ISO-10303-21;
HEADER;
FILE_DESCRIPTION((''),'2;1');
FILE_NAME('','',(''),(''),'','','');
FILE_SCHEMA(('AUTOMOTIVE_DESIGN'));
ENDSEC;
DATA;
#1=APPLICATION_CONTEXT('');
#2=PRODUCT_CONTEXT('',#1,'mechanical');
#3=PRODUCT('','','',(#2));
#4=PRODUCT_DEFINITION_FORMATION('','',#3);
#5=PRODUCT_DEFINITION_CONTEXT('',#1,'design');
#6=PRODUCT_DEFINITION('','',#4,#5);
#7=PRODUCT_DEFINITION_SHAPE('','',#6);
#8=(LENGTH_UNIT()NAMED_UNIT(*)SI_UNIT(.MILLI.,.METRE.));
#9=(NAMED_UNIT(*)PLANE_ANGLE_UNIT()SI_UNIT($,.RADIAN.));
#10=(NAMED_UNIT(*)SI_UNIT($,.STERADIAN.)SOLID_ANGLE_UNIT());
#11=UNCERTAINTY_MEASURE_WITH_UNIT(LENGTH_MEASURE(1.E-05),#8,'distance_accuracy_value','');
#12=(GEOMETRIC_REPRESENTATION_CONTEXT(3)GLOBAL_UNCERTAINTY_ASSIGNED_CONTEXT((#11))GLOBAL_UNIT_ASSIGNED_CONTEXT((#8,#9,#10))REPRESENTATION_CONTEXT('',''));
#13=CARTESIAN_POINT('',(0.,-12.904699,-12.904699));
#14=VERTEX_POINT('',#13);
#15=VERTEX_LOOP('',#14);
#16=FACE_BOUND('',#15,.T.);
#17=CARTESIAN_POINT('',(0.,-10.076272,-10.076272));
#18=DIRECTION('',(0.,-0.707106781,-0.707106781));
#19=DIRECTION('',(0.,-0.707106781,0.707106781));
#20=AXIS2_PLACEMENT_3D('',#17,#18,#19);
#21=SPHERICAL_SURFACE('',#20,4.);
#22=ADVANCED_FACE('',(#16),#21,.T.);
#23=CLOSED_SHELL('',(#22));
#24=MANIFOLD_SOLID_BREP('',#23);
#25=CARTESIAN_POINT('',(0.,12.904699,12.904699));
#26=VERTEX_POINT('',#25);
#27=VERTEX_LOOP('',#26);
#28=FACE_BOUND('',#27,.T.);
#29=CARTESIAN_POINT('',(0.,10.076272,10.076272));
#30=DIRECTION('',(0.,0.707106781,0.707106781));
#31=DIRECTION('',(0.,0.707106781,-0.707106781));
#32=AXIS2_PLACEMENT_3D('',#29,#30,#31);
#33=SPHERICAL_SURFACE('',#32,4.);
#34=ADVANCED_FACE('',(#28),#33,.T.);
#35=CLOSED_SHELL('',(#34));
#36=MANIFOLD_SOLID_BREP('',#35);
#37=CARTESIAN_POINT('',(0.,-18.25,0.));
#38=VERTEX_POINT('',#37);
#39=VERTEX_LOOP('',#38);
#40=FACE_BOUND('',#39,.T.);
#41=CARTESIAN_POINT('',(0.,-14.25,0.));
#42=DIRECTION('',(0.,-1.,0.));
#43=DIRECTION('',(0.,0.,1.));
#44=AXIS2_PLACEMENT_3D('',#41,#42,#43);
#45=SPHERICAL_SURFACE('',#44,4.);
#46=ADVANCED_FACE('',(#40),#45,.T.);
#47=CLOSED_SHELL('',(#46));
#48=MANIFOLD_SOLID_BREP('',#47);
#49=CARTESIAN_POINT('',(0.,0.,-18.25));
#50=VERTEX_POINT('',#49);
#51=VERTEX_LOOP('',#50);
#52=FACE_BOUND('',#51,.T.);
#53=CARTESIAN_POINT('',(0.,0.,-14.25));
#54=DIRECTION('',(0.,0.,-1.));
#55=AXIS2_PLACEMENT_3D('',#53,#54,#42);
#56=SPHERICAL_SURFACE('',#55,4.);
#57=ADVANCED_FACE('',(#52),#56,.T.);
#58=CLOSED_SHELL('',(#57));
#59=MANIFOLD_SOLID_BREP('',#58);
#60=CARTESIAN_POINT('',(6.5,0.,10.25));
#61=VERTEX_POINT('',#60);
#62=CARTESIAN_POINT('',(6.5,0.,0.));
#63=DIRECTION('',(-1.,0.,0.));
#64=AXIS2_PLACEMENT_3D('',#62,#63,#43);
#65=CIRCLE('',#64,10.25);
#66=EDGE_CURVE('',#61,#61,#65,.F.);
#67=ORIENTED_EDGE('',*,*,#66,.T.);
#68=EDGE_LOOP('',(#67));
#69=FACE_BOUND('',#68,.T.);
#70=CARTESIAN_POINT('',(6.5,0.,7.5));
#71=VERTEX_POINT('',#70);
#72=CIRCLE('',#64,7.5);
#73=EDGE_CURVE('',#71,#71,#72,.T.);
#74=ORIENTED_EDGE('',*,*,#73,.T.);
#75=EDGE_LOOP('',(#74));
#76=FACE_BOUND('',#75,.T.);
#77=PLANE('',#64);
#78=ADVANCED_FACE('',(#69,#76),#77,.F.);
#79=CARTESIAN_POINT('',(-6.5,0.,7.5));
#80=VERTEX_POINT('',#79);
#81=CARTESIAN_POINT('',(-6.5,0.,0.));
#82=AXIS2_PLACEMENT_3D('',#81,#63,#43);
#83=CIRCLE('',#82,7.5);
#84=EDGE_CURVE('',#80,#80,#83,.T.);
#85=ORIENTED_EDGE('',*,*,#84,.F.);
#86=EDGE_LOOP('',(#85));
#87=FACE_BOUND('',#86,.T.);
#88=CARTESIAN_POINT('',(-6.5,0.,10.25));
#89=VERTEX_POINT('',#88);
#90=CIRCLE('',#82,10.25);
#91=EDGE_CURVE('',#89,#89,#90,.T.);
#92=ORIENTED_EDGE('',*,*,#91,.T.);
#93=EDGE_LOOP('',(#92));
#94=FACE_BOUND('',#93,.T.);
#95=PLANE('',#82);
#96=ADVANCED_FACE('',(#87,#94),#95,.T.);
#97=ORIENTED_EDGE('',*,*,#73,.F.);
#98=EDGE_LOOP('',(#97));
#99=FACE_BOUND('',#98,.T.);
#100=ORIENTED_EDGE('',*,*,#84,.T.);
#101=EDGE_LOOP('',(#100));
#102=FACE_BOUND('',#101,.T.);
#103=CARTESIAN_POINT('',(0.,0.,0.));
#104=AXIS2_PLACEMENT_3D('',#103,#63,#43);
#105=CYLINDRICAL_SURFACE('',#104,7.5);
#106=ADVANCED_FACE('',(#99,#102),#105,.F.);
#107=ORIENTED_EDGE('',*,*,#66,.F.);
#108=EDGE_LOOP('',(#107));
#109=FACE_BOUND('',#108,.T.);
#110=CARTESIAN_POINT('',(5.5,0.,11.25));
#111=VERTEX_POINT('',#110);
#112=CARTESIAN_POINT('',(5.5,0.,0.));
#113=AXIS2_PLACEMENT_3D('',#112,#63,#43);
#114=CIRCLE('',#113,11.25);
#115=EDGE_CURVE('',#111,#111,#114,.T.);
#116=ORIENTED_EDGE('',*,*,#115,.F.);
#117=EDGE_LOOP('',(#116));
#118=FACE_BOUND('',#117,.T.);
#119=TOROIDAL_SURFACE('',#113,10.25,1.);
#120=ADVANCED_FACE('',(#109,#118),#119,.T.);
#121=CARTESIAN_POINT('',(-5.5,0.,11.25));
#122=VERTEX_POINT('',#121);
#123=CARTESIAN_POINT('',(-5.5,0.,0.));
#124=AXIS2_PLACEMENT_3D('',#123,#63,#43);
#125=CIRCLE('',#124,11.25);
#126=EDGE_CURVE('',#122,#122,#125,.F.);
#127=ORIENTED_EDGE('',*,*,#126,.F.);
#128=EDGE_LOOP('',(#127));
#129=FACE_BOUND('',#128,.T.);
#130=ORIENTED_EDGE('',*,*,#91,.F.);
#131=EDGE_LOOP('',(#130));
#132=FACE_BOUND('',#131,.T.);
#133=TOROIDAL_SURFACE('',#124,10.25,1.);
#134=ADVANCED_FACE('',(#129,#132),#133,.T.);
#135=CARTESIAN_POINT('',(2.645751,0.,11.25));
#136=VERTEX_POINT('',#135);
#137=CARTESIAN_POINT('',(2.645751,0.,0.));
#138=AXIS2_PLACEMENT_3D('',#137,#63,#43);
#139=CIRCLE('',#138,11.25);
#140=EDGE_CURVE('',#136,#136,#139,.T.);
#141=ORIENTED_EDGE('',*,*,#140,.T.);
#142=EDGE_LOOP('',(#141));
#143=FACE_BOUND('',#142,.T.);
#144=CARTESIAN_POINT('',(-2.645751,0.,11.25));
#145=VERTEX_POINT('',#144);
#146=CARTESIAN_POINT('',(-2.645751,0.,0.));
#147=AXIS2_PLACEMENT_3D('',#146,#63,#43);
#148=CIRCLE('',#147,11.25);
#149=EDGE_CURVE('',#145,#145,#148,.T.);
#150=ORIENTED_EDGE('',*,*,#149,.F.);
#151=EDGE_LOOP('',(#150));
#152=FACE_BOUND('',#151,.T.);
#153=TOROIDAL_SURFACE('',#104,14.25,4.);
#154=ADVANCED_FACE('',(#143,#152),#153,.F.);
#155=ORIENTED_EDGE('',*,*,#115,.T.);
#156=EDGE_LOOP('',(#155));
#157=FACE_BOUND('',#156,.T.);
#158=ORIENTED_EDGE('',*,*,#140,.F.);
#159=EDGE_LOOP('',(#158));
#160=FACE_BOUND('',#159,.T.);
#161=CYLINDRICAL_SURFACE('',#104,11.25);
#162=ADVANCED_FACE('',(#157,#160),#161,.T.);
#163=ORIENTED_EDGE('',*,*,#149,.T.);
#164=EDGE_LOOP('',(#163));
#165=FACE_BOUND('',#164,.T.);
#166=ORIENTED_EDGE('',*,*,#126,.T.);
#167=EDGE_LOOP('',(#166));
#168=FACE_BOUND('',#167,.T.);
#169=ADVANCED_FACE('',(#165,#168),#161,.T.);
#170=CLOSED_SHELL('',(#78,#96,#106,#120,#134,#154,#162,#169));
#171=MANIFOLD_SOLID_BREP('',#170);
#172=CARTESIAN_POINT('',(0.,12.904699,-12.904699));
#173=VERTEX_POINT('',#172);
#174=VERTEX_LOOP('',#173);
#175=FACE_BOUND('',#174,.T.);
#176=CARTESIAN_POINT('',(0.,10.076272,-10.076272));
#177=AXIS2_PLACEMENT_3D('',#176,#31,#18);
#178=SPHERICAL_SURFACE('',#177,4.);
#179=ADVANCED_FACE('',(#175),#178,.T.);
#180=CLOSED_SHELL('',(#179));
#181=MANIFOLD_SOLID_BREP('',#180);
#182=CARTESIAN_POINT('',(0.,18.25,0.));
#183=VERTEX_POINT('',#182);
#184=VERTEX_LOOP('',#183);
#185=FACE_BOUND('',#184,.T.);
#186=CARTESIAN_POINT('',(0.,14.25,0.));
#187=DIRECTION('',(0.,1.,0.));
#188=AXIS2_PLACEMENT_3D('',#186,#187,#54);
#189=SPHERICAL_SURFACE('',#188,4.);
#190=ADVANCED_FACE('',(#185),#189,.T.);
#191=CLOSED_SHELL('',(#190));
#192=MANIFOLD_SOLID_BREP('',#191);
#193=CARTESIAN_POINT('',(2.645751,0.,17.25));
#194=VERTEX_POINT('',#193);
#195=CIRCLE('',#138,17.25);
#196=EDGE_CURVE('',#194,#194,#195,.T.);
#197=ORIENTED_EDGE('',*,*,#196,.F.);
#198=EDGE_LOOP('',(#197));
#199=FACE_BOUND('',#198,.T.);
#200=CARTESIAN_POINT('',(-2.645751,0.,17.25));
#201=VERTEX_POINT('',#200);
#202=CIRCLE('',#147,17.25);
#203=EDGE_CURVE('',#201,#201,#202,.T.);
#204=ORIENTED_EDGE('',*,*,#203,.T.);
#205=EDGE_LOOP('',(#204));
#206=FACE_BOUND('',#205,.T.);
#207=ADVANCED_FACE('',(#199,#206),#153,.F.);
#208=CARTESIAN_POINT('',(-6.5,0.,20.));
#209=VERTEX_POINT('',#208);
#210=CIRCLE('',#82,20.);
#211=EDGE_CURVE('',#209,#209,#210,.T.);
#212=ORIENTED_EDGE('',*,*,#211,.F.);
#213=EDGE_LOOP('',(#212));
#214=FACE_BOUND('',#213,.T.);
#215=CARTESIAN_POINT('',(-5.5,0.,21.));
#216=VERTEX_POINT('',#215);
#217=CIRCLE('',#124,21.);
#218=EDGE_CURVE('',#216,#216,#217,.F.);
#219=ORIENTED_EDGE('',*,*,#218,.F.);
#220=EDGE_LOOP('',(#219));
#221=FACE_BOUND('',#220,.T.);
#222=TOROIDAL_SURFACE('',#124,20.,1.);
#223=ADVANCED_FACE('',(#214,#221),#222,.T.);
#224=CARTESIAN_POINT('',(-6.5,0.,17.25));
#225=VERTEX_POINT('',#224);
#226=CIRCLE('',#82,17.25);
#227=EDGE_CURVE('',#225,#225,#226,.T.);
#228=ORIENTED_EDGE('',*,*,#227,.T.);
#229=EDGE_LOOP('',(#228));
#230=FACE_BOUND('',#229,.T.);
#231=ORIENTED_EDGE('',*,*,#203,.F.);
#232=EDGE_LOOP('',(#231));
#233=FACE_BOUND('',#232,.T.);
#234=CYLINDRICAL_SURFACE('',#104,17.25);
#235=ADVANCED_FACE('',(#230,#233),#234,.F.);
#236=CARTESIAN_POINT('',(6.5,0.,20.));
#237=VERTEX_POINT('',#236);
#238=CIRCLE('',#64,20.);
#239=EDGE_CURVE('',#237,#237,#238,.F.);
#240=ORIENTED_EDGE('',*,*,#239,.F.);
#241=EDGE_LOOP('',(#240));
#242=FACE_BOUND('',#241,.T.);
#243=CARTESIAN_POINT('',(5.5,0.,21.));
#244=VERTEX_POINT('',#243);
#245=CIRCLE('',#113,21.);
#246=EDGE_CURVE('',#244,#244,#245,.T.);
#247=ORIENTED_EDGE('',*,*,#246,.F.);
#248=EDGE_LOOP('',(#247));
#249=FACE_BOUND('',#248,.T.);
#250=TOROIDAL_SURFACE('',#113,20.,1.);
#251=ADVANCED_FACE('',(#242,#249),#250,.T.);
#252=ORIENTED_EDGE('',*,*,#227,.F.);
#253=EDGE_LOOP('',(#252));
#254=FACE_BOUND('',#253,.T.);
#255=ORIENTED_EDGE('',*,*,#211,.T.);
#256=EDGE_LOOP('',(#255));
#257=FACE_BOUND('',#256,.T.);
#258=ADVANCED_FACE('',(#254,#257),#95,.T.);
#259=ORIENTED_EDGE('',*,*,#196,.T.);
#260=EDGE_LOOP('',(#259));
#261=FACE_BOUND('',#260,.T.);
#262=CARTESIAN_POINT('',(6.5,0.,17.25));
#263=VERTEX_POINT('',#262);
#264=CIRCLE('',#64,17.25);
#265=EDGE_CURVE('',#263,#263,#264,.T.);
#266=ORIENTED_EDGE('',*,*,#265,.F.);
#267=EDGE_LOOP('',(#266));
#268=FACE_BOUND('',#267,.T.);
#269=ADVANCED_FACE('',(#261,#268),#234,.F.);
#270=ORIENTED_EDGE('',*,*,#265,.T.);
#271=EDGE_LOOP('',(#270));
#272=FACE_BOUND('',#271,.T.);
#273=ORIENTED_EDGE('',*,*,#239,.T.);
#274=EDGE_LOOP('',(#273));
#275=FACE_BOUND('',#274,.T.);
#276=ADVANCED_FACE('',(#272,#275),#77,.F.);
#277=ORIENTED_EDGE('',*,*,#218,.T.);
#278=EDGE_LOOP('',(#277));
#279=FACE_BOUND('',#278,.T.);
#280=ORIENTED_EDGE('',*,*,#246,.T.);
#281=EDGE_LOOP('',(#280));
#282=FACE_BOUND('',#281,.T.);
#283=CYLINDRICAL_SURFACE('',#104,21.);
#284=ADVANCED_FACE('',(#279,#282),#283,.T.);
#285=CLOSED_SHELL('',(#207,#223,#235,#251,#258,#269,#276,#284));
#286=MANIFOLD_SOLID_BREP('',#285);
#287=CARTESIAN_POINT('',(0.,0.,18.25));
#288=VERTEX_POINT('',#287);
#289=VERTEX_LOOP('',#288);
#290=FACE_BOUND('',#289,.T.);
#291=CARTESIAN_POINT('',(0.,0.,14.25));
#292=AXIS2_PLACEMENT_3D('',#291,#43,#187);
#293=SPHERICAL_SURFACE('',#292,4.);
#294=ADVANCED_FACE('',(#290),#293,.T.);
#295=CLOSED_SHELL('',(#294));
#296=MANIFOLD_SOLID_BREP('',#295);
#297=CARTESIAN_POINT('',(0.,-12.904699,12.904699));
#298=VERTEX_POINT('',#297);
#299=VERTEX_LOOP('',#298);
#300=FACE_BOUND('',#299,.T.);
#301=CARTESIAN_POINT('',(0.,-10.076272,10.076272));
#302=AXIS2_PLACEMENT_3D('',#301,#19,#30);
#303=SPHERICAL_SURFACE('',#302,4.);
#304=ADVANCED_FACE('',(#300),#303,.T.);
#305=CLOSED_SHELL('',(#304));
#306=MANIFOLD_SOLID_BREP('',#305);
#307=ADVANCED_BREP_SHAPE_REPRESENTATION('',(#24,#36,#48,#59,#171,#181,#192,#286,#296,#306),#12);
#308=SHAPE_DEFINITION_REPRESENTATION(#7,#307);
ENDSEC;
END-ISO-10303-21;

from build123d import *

# Parameters (mm, degrees)
CIRPATTERN2_COUNT = 8
FILLET1_R         = 1
FILLET3_R         = 1


with BuildPart() as part:
    # Sketch1 → Revolve1 (revolve)
    with BuildSketch(Plane.XY, mode=Mode.PRIVATE) as revolve1_sk:
        with BuildLine():
            Line((-6.5, 21), (-6.5, 17.25))
            Line((-6.5, 17.25), (-2.645751311, 17.25))
            ThreePointArc((-2.645751311, 17.25), (0, 18.25), (2.645751311, 17.25))
            Line((2.645751311, 17.25), (6.5, 17.25))
            Line((6.5, 17.25), (6.5, 21))
            Line((6.5, 21), (-6.5, 21))
        make_face()
        with BuildLine():
            Line((-6.5, 11.25), (-6.5, 7.5))
            Line((-6.5, 7.5), (6.5, 7.5))
            Line((6.5, 7.5), (6.5, 11.25))
            Line((6.5, 11.25), (2.645751311, 11.25))
            ThreePointArc((2.645751311, 11.25), (0, 10.25), (-2.645751311, 11.25))
            Line((-2.645751311, 11.25), (-6.5, 11.25))
        make_face()
    revolve(revolve1_sk.sketch.rotate(Axis((0, 0, 0), (1, 0, 0)), 90), axis=Axis((0, 0, 0), (1, 0, 0)))

    # Fillet1
    fillet1_edges = [part.edges().sort_by_distance(p)[0] for p in [
        (-6.5, 0, -21),
        (6.5, 0, -21),
    ]]
    fillet(fillet1_edges, radius=FILLET1_R)

    # Fillet3
    fillet3_edges = [part.edges().sort_by_distance(p)[0] for p in [
        (6.5, 0, -11.25),
        (-6.5, 0, -11.25),
    ]]
    fillet(fillet3_edges, radius=FILLET3_R)


with BuildPart() as body_2:
    # Sketch3 → Revolve2 (revolve)
    with BuildSketch(Plane(origin=(0, 0, 0), x_dir=(0, 0, -1), z_dir=(1, 0, 0))):
        with BuildLine():
            Line((0, 18.25), (0, 10.25))
            ThreePointArc((0, 10.25), (4, 14.25), (0, 18.25))
        make_face()
    revolve(axis=Axis((0, 18.25, 0), (0, -1, 0)))


with BuildPart() as cirpattern2_1:
    # CirPattern2: pattern copy
    add(body_2.part.rotate(Axis((0, 0, 0), (1, 0, 0)), 1 * 360 / CIRPATTERN2_COUNT))


with BuildPart() as cirpattern2_2:
    # CirPattern2: pattern copy
    add(body_2.part.rotate(Axis((0, 0, 0), (1, 0, 0)), 2 * 360 / CIRPATTERN2_COUNT))


with BuildPart() as cirpattern2_3:
    # CirPattern2: pattern copy
    add(body_2.part.rotate(Axis((0, 0, 0), (1, 0, 0)), 3 * 360 / CIRPATTERN2_COUNT))


with BuildPart() as cirpattern2_4:
    # CirPattern2: pattern copy
    add(body_2.part.rotate(Axis((0, 0, 0), (1, 0, 0)), 4 * 360 / CIRPATTERN2_COUNT))


with BuildPart() as cirpattern2_5:
    # CirPattern2: pattern copy
    add(body_2.part.rotate(Axis((0, 0, 0), (1, 0, 0)), 5 * 360 / CIRPATTERN2_COUNT))


with BuildPart() as cirpattern2_6:
    # CirPattern2: pattern copy
    add(body_2.part.rotate(Axis((0, 0, 0), (1, 0, 0)), 6 * 360 / CIRPATTERN2_COUNT))


with BuildPart() as cirpattern2_7:
    # CirPattern2: pattern copy
    add(body_2.part.rotate(Axis((0, 0, 0), (1, 0, 0)), 7 * 360 / CIRPATTERN2_COUNT))


solid = Compound([part.part, body_2.part, cirpattern2_1.part, cirpattern2_2.part, cirpattern2_3.part, cirpattern2_4.part, cirpattern2_5.part, cirpattern2_6.part, cirpattern2_7.part])
